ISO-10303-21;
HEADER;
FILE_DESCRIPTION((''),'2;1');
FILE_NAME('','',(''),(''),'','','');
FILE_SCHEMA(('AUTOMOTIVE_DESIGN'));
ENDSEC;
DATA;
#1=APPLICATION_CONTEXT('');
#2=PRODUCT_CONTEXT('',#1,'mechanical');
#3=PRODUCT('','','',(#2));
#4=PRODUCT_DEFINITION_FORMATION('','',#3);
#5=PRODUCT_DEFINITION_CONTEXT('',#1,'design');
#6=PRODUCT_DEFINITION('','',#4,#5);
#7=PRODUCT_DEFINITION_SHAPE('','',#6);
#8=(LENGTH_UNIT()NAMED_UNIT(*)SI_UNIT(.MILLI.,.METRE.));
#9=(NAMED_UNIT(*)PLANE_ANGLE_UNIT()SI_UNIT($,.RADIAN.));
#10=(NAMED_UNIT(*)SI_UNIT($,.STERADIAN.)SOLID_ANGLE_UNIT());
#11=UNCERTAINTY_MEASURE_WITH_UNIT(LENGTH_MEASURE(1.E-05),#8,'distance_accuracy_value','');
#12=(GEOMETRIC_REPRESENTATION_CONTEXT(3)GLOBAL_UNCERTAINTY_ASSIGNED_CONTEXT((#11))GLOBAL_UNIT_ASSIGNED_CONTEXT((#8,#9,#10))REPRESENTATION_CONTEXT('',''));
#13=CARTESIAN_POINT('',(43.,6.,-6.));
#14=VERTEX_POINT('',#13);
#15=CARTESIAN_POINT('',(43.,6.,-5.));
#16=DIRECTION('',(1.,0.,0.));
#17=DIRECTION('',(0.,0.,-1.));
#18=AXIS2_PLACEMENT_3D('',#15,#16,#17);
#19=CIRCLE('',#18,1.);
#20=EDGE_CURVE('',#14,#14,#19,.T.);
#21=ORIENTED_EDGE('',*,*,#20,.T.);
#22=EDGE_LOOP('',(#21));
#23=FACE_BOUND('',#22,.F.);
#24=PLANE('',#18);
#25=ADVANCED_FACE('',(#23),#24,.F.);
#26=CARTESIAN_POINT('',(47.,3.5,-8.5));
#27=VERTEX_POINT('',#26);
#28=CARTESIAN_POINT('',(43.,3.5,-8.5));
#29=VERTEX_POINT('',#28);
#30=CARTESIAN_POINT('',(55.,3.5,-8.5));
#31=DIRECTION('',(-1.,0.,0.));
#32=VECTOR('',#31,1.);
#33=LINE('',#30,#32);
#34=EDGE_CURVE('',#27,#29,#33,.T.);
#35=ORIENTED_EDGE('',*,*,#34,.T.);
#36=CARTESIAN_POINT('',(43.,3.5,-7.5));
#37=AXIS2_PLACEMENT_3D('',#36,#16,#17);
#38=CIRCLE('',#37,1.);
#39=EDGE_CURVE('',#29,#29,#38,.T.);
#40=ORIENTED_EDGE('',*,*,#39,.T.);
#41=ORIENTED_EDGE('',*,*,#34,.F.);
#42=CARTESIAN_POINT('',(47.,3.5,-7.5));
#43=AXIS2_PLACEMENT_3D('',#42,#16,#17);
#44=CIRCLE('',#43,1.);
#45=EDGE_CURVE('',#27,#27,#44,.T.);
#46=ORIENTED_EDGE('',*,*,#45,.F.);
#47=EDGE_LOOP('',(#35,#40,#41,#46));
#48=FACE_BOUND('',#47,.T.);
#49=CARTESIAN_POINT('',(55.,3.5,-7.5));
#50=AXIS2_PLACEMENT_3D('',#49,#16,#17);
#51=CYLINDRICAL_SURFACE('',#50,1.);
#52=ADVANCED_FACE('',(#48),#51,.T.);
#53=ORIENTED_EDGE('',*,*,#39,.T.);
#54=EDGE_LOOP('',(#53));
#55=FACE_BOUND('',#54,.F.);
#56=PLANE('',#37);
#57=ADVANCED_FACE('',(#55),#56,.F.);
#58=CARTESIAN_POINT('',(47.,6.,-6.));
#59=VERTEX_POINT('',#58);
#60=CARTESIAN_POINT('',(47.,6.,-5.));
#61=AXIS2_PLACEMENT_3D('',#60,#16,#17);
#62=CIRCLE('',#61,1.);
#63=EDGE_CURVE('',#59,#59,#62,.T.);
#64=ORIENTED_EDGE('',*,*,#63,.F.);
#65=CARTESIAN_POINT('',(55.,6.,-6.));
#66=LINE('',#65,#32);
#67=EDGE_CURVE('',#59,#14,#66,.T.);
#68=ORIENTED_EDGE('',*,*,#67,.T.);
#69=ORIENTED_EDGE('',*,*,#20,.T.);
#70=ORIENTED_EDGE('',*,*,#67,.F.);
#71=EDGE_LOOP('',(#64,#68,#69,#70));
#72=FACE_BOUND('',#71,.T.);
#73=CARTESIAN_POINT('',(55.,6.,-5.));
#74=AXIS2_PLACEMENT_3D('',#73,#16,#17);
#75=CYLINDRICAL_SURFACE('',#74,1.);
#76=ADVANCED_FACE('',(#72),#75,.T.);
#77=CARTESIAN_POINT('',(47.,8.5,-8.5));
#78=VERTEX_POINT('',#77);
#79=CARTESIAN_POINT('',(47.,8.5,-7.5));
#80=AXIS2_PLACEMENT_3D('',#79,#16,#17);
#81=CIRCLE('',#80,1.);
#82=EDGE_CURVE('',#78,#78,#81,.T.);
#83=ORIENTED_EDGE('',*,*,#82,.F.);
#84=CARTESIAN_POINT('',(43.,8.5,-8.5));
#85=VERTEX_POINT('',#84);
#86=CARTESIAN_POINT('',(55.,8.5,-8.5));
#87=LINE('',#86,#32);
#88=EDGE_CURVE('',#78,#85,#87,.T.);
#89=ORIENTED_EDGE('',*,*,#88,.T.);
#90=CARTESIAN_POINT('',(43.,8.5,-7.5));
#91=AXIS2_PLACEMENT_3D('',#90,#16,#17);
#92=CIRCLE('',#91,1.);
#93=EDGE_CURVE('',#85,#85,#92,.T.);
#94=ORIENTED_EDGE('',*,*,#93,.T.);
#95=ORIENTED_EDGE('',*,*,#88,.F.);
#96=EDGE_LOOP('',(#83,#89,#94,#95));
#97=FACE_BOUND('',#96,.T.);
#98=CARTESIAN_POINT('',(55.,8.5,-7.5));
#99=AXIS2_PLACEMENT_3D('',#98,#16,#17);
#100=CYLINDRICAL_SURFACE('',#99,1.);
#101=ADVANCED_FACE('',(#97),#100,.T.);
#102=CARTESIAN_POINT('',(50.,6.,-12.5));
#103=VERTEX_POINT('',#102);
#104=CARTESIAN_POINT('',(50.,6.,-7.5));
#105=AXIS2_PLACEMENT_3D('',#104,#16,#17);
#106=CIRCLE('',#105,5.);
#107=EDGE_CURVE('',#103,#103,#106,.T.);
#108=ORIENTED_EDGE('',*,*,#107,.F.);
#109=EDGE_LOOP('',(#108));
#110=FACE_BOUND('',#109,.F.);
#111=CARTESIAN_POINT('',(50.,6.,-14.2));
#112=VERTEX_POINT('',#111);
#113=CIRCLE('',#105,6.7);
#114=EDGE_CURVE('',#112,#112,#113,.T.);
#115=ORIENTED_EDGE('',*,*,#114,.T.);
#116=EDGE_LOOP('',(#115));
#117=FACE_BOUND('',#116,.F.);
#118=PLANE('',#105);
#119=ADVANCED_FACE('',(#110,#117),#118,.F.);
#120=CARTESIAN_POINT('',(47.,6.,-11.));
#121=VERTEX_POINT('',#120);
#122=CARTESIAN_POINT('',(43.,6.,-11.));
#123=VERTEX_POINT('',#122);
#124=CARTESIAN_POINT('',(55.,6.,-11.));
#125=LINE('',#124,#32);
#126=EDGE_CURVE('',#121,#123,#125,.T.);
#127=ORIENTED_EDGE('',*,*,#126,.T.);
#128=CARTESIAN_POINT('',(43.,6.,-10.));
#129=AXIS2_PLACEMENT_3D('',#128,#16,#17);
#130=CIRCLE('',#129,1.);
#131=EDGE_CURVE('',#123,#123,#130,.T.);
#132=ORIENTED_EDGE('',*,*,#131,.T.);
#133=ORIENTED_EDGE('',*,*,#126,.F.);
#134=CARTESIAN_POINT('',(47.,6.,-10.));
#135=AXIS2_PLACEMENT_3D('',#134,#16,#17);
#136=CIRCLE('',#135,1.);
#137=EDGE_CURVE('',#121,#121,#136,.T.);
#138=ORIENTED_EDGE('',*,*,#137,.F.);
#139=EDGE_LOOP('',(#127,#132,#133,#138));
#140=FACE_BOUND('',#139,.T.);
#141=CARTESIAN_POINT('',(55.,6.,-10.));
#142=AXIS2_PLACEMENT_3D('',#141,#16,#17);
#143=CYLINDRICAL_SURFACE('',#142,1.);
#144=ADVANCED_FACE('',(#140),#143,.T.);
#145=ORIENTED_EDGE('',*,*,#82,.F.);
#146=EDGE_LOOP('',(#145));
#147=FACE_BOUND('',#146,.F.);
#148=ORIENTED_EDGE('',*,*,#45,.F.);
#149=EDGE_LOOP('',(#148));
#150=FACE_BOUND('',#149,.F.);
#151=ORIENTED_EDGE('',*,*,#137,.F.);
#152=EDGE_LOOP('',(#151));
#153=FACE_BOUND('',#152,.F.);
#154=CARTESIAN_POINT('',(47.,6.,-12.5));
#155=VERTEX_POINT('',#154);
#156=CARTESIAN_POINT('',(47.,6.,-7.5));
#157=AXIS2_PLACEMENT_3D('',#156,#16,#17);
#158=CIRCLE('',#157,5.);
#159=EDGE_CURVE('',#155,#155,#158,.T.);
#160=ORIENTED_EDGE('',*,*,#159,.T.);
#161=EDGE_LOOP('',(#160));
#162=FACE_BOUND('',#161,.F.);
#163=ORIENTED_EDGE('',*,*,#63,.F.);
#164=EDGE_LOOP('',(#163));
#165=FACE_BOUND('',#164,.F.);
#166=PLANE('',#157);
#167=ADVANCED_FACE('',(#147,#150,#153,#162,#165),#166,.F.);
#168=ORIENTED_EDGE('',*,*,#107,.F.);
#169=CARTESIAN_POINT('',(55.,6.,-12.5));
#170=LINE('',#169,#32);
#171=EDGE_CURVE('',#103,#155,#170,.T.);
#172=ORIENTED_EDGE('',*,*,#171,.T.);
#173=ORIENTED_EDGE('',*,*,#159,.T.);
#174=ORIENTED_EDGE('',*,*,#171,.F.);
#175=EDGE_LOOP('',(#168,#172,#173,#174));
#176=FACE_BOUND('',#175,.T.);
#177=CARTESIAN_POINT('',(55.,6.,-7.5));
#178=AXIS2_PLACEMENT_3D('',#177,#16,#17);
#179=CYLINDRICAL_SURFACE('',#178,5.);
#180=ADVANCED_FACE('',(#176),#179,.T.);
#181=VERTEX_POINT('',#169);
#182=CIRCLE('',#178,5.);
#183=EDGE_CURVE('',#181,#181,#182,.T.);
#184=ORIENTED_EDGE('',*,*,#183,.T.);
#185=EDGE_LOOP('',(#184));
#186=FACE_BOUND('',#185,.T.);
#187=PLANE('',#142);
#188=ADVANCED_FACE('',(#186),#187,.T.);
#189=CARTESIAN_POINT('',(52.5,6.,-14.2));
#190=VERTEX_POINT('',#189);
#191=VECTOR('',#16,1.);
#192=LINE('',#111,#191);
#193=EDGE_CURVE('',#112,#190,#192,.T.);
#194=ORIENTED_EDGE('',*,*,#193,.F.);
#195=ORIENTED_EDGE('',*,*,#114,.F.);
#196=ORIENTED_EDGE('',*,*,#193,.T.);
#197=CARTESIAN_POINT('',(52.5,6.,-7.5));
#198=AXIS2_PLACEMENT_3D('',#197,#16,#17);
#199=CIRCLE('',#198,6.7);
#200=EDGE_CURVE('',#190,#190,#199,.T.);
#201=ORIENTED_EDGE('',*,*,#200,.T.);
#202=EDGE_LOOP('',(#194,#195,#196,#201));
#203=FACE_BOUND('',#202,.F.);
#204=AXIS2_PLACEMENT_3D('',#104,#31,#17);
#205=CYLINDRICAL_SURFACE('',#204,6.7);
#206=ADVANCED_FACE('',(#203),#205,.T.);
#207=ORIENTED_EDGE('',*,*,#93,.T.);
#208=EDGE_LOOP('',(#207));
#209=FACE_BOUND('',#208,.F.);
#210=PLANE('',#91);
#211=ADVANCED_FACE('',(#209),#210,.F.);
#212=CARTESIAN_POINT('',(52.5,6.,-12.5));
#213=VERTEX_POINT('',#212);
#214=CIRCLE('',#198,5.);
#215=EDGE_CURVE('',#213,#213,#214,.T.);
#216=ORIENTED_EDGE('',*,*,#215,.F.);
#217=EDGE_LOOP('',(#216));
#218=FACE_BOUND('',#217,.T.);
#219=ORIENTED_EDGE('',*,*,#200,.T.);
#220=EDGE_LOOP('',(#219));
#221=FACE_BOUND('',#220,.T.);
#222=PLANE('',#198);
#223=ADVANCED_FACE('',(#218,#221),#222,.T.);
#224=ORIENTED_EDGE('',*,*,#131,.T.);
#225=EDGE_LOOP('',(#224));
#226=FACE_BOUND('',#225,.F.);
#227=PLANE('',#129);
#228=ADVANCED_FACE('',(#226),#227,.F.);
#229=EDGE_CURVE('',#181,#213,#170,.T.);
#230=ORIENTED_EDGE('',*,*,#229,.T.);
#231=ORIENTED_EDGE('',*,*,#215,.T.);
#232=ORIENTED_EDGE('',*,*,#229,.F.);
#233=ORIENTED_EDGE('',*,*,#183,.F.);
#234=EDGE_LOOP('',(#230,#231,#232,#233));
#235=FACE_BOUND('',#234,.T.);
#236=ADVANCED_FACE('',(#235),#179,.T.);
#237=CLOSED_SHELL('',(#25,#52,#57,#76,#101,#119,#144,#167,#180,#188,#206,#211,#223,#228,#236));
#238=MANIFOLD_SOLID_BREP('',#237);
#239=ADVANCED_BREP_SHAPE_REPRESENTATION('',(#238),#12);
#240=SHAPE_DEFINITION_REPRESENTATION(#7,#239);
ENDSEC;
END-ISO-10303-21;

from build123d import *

# Parameters (mm, degrees)
SKETCH002_R             = 5
PAD002_DEPTH            = 8
SKETCH003_R             = 6.7
PAD003_DEPTH            = 2.5
SKETCH004_R             = 1
PAD004_DEPTH            = 12
BODY001_PLACEMENT_ANGLE = 90


with BuildPart() as part:
    # Sketch002 → Pad002 (new body)
    with BuildSketch(Plane.XY):
        Circle(SKETCH002_R)
    extrude(amount=-PAD002_DEPTH)

    # Sketch003 → Pad003 (join)
    with BuildSketch(Plane.XY.offset(-5)):
        Circle(SKETCH003_R)
    extrude(amount=PAD003_DEPTH)

    # Sketch004 → Pad004 (join)
    with BuildSketch(Plane.XY):
        with Locations((2.5, 0)):
            Circle(SKETCH004_R)
        with Locations((-2.5, 0)):
            Circle(SKETCH004_R)
        with Locations((0, 2.5)):
            Circle(SKETCH004_R)
        with Locations((0, -2.5)):
            Circle(SKETCH004_R)
    extrude(amount=-PAD004_DEPTH)


with BuildPart() as part_1:
    # Body001 placement: moved
    add(part.part.moved(Location((55, 6, -7.5))).rotate(Axis((55, 6, -7.5), (0, 1, 0)), BODY001_PLACEMENT_ANGLE))


solid = part_1.part
